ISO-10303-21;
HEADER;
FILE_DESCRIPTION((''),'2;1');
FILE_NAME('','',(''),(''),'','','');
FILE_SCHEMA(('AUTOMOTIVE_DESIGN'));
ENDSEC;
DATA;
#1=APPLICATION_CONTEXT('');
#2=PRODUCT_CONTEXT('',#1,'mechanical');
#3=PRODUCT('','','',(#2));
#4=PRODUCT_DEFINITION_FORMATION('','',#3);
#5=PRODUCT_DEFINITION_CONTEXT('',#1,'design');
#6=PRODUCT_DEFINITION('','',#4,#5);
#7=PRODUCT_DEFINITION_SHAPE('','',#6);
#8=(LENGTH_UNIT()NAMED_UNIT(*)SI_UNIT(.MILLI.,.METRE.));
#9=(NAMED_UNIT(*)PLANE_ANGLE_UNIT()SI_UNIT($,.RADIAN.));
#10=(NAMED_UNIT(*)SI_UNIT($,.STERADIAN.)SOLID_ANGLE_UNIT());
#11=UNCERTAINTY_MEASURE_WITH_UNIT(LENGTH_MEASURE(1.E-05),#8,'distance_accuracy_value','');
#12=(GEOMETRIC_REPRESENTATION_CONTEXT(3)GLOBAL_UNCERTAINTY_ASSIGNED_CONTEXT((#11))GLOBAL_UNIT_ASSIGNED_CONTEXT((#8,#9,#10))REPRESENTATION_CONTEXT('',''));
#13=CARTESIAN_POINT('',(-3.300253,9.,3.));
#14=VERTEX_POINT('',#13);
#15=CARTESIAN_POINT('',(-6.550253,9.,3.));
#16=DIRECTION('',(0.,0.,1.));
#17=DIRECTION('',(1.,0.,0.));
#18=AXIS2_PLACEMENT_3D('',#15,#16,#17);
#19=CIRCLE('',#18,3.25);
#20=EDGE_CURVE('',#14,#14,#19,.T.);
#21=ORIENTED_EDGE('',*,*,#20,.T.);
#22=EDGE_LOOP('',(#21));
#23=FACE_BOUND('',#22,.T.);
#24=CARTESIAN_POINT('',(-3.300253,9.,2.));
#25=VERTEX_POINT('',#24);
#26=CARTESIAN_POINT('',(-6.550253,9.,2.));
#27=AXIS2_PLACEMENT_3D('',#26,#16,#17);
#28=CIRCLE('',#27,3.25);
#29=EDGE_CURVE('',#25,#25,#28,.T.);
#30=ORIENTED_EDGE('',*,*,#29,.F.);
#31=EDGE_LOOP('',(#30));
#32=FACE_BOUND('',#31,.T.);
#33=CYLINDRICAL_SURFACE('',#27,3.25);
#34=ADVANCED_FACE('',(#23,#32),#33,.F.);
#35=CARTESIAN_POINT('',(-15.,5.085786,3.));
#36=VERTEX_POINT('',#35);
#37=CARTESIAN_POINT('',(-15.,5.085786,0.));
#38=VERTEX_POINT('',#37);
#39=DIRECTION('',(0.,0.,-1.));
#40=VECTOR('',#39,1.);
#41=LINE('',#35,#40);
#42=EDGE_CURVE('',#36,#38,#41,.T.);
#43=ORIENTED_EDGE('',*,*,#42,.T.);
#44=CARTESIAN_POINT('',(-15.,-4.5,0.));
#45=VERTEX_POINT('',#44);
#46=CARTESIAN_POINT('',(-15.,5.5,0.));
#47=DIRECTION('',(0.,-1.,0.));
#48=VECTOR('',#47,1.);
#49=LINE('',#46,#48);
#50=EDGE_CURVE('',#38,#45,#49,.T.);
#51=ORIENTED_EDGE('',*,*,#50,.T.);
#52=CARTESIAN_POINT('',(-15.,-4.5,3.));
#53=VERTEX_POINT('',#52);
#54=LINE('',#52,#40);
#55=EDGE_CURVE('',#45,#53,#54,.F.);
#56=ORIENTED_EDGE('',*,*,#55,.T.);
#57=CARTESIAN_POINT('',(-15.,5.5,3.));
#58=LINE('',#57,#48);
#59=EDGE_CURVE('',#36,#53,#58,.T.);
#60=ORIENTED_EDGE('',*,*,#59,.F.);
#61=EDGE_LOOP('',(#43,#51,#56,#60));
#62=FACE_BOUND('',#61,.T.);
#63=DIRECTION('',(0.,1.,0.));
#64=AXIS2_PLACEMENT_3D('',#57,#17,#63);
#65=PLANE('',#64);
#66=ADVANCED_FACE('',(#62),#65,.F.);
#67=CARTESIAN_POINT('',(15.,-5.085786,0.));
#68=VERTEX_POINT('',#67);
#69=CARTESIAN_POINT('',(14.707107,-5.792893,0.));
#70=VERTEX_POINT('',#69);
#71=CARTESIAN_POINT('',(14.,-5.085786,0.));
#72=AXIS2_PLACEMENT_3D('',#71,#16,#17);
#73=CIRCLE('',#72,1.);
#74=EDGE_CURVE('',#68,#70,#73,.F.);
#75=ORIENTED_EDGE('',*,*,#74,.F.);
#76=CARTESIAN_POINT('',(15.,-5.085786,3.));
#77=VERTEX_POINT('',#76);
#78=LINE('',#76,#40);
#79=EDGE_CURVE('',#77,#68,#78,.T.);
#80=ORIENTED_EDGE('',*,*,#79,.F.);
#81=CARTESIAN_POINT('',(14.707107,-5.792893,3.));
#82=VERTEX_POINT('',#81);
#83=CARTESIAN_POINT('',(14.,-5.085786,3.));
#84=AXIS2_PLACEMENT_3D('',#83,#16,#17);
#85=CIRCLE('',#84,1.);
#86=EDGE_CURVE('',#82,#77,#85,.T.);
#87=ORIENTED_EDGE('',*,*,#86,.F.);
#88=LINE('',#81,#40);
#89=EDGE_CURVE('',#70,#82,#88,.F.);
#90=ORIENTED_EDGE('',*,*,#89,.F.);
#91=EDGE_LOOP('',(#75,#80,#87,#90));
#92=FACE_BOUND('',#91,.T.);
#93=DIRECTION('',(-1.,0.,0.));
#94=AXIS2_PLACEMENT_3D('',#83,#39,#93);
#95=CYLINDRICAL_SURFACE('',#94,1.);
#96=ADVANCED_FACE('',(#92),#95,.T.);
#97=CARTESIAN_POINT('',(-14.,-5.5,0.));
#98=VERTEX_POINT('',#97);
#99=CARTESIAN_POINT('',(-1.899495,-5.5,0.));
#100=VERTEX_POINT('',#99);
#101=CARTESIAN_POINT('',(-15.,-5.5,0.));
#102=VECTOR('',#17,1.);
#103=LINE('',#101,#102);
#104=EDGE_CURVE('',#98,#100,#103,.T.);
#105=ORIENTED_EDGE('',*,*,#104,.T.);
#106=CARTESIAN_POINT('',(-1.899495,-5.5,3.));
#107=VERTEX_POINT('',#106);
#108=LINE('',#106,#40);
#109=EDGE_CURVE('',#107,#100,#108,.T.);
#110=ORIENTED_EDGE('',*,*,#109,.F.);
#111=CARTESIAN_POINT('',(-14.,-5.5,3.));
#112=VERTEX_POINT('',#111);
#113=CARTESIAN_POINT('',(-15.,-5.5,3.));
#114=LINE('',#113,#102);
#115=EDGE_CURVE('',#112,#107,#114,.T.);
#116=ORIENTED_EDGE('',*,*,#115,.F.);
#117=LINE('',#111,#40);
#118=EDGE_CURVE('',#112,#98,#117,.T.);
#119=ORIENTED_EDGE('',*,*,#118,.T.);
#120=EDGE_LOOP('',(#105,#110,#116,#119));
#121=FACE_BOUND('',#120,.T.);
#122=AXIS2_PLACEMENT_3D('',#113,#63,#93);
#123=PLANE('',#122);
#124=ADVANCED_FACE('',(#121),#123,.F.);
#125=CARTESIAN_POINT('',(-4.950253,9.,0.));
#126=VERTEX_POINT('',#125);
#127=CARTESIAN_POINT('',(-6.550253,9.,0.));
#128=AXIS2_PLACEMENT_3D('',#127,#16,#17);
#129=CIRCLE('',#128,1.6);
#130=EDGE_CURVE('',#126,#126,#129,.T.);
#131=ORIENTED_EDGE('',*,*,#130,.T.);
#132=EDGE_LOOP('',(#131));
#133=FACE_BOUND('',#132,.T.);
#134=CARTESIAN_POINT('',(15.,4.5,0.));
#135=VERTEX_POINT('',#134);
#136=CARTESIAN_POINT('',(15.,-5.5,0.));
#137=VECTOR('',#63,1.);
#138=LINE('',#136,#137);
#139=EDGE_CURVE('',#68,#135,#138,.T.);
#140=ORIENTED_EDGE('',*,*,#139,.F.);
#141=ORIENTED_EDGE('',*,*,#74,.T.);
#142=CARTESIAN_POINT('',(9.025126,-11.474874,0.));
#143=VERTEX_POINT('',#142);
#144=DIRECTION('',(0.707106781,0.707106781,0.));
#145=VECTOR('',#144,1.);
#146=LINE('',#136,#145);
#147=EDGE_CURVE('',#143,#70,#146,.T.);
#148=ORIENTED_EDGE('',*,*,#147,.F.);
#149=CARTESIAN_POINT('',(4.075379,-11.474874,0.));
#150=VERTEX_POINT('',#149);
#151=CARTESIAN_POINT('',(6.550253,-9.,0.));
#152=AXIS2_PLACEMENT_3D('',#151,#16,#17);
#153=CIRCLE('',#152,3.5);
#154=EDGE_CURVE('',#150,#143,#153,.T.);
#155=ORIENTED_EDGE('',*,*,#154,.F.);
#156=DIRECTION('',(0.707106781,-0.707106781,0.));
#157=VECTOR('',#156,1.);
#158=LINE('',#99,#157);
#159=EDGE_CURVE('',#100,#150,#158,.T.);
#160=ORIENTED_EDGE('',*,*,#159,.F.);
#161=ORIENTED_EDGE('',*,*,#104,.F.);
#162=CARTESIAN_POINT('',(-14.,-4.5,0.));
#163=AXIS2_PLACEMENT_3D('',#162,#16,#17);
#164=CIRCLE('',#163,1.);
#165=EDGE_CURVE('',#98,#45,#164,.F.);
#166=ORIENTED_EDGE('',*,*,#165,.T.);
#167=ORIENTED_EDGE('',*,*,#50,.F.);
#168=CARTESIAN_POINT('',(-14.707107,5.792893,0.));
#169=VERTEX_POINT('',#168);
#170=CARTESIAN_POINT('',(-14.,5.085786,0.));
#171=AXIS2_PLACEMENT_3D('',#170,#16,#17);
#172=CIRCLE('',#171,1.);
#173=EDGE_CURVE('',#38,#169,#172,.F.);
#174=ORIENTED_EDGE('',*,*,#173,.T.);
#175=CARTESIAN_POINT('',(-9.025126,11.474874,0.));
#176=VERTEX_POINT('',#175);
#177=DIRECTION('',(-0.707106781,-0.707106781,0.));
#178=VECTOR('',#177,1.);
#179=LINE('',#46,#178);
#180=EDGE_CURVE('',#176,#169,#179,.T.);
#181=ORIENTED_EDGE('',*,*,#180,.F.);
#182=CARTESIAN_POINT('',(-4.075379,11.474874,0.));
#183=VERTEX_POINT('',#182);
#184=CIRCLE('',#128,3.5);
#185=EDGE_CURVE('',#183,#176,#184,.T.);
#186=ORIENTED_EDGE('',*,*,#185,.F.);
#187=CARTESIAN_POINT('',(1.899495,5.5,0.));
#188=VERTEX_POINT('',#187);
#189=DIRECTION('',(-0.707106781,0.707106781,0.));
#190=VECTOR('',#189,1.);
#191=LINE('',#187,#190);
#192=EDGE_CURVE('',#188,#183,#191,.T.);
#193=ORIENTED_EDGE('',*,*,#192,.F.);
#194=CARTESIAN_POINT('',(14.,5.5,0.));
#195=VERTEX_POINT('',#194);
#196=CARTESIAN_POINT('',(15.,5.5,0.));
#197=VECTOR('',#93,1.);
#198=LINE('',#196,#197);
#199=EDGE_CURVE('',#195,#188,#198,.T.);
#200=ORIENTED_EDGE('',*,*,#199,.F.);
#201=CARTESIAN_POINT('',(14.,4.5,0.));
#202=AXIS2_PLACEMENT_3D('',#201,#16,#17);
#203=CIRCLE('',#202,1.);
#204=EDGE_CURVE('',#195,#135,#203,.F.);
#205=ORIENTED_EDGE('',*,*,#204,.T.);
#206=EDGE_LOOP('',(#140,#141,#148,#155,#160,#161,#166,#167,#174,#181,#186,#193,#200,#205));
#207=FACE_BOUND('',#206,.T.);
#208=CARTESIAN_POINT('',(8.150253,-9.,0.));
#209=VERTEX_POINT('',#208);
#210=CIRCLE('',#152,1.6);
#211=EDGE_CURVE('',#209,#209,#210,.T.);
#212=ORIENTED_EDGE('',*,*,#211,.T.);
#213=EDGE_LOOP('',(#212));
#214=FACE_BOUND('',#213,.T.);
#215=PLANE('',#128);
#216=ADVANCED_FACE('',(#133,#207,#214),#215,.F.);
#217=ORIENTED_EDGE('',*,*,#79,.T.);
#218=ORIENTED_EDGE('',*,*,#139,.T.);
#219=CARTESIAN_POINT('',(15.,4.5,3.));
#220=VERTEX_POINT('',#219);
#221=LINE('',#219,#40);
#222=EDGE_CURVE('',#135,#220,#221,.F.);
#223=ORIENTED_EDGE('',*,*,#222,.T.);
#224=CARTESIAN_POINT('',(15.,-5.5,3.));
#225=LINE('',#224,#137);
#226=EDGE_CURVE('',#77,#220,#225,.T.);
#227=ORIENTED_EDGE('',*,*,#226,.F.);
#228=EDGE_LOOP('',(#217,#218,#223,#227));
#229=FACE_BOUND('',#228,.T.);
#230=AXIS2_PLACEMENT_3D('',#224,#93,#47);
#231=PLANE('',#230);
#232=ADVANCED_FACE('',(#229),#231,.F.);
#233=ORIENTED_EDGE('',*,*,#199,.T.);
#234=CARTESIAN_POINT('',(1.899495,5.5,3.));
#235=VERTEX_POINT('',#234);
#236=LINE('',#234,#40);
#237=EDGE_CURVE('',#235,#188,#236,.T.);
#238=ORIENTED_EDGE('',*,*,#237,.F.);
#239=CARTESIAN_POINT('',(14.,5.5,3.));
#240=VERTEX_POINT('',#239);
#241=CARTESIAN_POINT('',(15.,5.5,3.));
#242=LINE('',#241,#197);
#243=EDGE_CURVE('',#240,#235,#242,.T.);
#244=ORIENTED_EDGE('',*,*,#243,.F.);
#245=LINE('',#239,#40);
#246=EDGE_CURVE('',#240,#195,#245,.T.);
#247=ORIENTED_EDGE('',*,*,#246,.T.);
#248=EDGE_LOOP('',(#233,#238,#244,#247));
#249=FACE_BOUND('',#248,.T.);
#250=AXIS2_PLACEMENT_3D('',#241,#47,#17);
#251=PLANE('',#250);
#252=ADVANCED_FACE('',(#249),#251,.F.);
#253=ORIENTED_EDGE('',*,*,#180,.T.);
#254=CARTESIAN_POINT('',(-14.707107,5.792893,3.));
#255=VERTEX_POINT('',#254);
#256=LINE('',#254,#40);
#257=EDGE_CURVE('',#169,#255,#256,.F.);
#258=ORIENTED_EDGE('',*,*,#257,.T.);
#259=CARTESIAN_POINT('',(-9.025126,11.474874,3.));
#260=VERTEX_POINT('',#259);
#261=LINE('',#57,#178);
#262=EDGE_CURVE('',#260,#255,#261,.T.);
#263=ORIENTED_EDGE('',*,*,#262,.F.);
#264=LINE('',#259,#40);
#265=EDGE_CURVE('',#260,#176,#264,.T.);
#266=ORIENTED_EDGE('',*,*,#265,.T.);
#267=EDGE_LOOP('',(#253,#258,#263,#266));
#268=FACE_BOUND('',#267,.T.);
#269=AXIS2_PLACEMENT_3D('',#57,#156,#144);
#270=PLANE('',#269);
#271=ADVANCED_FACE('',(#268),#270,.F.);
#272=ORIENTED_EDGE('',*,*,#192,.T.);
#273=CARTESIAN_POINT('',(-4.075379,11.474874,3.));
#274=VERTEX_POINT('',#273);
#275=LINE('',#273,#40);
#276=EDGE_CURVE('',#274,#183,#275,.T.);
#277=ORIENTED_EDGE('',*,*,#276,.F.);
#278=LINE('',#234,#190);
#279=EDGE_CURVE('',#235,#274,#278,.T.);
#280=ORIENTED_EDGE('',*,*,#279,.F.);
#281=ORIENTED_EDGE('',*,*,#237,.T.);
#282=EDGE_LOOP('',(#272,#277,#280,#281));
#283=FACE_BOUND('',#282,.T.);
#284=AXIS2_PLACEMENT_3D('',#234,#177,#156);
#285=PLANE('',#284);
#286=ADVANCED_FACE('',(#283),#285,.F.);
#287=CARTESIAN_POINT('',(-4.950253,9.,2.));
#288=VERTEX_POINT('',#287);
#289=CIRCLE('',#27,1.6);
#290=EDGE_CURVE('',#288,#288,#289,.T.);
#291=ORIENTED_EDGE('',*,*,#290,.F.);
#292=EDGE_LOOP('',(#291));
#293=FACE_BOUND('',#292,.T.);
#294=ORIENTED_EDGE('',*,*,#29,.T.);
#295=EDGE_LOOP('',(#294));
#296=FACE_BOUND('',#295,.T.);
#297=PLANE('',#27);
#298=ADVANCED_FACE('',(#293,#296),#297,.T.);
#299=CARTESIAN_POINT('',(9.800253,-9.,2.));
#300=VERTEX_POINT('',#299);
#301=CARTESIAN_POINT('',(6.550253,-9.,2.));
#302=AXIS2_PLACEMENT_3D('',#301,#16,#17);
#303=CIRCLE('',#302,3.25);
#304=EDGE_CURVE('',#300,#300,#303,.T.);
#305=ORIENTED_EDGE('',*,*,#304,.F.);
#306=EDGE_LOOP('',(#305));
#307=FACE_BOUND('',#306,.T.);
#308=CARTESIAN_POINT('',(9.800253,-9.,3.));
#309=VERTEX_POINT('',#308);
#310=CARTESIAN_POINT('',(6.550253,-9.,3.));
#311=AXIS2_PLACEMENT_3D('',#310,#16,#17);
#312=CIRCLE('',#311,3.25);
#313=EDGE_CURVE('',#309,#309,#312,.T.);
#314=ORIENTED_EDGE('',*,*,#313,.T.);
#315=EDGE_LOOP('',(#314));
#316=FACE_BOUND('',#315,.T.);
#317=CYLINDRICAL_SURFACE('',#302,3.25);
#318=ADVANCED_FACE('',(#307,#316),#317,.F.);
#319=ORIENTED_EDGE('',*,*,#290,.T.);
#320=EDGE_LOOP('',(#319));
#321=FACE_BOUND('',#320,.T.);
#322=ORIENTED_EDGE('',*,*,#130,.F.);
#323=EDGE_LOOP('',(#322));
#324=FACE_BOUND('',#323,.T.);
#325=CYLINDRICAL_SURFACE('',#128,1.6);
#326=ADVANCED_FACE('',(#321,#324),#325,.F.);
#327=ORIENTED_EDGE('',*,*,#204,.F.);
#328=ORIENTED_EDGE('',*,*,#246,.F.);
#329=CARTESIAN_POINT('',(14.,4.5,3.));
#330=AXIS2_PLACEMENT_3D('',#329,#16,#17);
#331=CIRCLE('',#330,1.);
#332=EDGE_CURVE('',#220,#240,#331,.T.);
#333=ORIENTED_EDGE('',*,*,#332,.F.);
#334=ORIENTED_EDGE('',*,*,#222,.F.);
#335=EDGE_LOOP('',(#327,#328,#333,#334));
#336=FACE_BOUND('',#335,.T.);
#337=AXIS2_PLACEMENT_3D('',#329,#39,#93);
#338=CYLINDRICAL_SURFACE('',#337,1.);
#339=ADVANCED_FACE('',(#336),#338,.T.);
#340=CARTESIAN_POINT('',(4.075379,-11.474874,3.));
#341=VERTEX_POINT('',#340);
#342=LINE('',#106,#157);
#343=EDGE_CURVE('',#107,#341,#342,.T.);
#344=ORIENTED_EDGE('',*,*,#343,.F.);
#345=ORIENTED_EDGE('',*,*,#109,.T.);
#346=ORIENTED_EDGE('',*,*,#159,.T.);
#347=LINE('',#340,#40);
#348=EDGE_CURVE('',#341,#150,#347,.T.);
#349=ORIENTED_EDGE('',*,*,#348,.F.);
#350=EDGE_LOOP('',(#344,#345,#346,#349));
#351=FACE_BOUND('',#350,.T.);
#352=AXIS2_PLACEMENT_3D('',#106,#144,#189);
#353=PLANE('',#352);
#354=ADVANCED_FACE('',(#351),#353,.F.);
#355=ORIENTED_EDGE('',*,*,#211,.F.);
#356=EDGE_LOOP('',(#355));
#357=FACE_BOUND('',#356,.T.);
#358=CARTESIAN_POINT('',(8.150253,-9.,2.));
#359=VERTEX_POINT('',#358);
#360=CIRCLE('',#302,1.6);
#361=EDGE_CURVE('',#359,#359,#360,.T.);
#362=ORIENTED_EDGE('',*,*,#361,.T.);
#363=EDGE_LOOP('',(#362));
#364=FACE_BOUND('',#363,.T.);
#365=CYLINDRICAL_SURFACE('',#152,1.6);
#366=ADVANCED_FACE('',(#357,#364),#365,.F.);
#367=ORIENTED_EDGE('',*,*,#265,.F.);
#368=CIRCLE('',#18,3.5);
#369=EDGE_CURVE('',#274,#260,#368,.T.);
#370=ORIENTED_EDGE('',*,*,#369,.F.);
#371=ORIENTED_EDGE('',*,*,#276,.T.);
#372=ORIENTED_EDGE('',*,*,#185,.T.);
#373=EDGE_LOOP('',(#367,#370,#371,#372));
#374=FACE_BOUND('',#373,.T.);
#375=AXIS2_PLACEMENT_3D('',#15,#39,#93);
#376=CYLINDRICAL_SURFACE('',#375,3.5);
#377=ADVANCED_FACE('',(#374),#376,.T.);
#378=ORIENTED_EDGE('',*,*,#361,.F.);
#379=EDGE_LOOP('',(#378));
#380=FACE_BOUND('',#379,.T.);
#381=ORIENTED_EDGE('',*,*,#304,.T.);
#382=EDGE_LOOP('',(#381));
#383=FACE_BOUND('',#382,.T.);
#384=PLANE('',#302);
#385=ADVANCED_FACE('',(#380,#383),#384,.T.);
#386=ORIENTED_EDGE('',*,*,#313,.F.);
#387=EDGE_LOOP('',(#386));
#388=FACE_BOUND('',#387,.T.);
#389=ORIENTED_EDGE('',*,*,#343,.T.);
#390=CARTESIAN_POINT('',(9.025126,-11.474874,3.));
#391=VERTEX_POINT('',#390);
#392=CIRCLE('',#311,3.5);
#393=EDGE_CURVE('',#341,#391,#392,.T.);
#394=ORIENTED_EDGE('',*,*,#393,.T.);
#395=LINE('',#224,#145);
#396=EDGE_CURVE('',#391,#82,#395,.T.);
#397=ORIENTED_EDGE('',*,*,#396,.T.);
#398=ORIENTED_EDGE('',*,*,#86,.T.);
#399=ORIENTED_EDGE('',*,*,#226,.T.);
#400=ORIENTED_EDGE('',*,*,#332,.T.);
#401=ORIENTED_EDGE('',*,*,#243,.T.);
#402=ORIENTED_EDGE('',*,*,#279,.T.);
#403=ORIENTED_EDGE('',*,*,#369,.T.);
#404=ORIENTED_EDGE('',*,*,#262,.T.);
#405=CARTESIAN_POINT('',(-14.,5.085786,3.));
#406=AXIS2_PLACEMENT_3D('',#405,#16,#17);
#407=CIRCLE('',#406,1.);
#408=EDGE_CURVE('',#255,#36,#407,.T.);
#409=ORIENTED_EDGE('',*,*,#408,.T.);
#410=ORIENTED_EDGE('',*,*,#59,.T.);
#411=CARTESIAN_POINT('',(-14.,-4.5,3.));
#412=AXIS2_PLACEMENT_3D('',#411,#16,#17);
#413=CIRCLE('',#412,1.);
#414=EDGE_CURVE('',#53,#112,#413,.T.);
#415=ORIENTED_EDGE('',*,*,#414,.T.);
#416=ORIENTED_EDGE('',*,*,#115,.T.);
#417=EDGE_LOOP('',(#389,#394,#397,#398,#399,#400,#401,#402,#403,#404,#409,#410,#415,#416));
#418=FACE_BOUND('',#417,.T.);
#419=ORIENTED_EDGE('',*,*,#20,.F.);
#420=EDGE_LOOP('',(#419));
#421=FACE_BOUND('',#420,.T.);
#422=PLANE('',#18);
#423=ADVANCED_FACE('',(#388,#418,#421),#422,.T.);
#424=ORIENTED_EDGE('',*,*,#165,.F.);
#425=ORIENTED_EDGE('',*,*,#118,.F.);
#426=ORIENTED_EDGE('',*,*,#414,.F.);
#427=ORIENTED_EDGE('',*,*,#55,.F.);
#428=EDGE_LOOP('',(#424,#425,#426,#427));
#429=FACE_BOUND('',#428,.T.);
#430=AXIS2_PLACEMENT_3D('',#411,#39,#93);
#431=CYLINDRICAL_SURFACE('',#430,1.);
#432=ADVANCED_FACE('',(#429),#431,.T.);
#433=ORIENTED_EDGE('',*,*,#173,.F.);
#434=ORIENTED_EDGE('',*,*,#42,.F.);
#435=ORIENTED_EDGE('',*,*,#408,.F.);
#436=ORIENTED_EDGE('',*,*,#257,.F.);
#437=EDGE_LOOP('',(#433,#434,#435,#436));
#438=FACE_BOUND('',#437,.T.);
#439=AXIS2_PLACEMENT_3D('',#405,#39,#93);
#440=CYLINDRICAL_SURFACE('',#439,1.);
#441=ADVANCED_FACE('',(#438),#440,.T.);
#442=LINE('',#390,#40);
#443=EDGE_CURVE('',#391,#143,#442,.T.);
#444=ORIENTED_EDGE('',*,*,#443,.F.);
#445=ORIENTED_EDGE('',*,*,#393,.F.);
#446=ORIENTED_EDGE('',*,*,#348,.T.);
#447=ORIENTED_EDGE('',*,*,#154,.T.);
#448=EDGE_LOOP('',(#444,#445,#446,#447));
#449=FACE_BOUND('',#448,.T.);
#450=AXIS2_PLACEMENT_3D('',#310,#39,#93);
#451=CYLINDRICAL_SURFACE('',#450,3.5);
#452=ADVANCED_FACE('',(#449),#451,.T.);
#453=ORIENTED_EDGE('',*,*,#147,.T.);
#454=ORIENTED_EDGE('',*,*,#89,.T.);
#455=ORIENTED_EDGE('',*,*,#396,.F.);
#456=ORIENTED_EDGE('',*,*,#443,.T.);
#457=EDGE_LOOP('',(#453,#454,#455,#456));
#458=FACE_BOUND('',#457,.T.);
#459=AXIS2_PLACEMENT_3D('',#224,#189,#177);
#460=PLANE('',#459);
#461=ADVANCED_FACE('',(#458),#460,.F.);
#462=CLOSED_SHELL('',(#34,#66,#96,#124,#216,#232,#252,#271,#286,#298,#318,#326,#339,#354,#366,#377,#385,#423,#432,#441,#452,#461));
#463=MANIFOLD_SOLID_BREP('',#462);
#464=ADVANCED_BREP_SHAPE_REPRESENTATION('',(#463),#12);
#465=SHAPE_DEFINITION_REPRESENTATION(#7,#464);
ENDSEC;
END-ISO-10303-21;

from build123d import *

# Parameters (mm, degrees)
EXTRUDE_1_DEPTH     = 3
SKETCH_3_R          = 3.25
CUT_EXTRUDE_1_DEPTH = 1
FILLET_1_R          = 1
SKETCH_6_R          = 1.6
CUT_EXTRUDE_3_DEPTH = 20.754746265


with BuildPart() as part:
    # 草图1 → 凸台-拉伸1 (new body)
    with BuildSketch(Plane.XY):
        with BuildLine():
            Line((15, 5.5), (1.899494937, 5.5))
            Line((1.899494937, 5.5), (-4.075378798, 11.474873734))
            ThreePointArc((-4.075378798, 11.474873734), (-6.550252532, 12.5), (-9.025126266, 11.474873734))
            Line((-9.025126266, 11.474873734), (-15, 5.5))
            Line((-15, 5.5), (-15, -5.5))
            Line((-15, -5.5), (-1.899494937, -5.5))
            Line((-1.899494937, -5.5), (4.075378798, -11.474873734))
            ThreePointArc((4.075378798, -11.474873734), (6.550252532, -12.5), (9.025126266, -11.474873734))
            Line((9.025126266, -11.474873734), (15, -5.5))
            Line((15, -5.5), (15, 5.5))
        make_face()
    extrude(amount=EXTRUDE_1_DEPTH)

    # 草图3 → 切除-拉伸1 (cut)
    with BuildSketch(Plane.XY.offset(3)):
        with Locations((-6.550252532, 9)):
            Circle(SKETCH_3_R)
        with Locations((6.550252532, -9)):
            Circle(SKETCH_3_R)
    extrude(amount=-CUT_EXTRUDE_1_DEPTH, mode=Mode.SUBTRACT)

    # 圆角1
    fillet_1_edges = [part.edges().sort_by_distance(p)[0] for p in [
        (15, -5.5, 1.5),
        (-15, -5.5, 1.5),
        (-15, 5.5, 1.5),
        (15, 5.5, 1.5),
    ]]
    fillet(fillet_1_edges, radius=FILLET_1_R)

    # 草图6 → 切除-拉伸3 (cut, through all)
    with BuildSketch(Plane.XY.offset(3)):
        with Locations((-6.550252532, 9)):
            Circle(SKETCH_6_R)
        with Locations((6.550252532, -9)):
            Circle(SKETCH_6_R)
    extrude(amount=-CUT_EXTRUDE_3_DEPTH, mode=Mode.SUBTRACT)


solid = part.part
